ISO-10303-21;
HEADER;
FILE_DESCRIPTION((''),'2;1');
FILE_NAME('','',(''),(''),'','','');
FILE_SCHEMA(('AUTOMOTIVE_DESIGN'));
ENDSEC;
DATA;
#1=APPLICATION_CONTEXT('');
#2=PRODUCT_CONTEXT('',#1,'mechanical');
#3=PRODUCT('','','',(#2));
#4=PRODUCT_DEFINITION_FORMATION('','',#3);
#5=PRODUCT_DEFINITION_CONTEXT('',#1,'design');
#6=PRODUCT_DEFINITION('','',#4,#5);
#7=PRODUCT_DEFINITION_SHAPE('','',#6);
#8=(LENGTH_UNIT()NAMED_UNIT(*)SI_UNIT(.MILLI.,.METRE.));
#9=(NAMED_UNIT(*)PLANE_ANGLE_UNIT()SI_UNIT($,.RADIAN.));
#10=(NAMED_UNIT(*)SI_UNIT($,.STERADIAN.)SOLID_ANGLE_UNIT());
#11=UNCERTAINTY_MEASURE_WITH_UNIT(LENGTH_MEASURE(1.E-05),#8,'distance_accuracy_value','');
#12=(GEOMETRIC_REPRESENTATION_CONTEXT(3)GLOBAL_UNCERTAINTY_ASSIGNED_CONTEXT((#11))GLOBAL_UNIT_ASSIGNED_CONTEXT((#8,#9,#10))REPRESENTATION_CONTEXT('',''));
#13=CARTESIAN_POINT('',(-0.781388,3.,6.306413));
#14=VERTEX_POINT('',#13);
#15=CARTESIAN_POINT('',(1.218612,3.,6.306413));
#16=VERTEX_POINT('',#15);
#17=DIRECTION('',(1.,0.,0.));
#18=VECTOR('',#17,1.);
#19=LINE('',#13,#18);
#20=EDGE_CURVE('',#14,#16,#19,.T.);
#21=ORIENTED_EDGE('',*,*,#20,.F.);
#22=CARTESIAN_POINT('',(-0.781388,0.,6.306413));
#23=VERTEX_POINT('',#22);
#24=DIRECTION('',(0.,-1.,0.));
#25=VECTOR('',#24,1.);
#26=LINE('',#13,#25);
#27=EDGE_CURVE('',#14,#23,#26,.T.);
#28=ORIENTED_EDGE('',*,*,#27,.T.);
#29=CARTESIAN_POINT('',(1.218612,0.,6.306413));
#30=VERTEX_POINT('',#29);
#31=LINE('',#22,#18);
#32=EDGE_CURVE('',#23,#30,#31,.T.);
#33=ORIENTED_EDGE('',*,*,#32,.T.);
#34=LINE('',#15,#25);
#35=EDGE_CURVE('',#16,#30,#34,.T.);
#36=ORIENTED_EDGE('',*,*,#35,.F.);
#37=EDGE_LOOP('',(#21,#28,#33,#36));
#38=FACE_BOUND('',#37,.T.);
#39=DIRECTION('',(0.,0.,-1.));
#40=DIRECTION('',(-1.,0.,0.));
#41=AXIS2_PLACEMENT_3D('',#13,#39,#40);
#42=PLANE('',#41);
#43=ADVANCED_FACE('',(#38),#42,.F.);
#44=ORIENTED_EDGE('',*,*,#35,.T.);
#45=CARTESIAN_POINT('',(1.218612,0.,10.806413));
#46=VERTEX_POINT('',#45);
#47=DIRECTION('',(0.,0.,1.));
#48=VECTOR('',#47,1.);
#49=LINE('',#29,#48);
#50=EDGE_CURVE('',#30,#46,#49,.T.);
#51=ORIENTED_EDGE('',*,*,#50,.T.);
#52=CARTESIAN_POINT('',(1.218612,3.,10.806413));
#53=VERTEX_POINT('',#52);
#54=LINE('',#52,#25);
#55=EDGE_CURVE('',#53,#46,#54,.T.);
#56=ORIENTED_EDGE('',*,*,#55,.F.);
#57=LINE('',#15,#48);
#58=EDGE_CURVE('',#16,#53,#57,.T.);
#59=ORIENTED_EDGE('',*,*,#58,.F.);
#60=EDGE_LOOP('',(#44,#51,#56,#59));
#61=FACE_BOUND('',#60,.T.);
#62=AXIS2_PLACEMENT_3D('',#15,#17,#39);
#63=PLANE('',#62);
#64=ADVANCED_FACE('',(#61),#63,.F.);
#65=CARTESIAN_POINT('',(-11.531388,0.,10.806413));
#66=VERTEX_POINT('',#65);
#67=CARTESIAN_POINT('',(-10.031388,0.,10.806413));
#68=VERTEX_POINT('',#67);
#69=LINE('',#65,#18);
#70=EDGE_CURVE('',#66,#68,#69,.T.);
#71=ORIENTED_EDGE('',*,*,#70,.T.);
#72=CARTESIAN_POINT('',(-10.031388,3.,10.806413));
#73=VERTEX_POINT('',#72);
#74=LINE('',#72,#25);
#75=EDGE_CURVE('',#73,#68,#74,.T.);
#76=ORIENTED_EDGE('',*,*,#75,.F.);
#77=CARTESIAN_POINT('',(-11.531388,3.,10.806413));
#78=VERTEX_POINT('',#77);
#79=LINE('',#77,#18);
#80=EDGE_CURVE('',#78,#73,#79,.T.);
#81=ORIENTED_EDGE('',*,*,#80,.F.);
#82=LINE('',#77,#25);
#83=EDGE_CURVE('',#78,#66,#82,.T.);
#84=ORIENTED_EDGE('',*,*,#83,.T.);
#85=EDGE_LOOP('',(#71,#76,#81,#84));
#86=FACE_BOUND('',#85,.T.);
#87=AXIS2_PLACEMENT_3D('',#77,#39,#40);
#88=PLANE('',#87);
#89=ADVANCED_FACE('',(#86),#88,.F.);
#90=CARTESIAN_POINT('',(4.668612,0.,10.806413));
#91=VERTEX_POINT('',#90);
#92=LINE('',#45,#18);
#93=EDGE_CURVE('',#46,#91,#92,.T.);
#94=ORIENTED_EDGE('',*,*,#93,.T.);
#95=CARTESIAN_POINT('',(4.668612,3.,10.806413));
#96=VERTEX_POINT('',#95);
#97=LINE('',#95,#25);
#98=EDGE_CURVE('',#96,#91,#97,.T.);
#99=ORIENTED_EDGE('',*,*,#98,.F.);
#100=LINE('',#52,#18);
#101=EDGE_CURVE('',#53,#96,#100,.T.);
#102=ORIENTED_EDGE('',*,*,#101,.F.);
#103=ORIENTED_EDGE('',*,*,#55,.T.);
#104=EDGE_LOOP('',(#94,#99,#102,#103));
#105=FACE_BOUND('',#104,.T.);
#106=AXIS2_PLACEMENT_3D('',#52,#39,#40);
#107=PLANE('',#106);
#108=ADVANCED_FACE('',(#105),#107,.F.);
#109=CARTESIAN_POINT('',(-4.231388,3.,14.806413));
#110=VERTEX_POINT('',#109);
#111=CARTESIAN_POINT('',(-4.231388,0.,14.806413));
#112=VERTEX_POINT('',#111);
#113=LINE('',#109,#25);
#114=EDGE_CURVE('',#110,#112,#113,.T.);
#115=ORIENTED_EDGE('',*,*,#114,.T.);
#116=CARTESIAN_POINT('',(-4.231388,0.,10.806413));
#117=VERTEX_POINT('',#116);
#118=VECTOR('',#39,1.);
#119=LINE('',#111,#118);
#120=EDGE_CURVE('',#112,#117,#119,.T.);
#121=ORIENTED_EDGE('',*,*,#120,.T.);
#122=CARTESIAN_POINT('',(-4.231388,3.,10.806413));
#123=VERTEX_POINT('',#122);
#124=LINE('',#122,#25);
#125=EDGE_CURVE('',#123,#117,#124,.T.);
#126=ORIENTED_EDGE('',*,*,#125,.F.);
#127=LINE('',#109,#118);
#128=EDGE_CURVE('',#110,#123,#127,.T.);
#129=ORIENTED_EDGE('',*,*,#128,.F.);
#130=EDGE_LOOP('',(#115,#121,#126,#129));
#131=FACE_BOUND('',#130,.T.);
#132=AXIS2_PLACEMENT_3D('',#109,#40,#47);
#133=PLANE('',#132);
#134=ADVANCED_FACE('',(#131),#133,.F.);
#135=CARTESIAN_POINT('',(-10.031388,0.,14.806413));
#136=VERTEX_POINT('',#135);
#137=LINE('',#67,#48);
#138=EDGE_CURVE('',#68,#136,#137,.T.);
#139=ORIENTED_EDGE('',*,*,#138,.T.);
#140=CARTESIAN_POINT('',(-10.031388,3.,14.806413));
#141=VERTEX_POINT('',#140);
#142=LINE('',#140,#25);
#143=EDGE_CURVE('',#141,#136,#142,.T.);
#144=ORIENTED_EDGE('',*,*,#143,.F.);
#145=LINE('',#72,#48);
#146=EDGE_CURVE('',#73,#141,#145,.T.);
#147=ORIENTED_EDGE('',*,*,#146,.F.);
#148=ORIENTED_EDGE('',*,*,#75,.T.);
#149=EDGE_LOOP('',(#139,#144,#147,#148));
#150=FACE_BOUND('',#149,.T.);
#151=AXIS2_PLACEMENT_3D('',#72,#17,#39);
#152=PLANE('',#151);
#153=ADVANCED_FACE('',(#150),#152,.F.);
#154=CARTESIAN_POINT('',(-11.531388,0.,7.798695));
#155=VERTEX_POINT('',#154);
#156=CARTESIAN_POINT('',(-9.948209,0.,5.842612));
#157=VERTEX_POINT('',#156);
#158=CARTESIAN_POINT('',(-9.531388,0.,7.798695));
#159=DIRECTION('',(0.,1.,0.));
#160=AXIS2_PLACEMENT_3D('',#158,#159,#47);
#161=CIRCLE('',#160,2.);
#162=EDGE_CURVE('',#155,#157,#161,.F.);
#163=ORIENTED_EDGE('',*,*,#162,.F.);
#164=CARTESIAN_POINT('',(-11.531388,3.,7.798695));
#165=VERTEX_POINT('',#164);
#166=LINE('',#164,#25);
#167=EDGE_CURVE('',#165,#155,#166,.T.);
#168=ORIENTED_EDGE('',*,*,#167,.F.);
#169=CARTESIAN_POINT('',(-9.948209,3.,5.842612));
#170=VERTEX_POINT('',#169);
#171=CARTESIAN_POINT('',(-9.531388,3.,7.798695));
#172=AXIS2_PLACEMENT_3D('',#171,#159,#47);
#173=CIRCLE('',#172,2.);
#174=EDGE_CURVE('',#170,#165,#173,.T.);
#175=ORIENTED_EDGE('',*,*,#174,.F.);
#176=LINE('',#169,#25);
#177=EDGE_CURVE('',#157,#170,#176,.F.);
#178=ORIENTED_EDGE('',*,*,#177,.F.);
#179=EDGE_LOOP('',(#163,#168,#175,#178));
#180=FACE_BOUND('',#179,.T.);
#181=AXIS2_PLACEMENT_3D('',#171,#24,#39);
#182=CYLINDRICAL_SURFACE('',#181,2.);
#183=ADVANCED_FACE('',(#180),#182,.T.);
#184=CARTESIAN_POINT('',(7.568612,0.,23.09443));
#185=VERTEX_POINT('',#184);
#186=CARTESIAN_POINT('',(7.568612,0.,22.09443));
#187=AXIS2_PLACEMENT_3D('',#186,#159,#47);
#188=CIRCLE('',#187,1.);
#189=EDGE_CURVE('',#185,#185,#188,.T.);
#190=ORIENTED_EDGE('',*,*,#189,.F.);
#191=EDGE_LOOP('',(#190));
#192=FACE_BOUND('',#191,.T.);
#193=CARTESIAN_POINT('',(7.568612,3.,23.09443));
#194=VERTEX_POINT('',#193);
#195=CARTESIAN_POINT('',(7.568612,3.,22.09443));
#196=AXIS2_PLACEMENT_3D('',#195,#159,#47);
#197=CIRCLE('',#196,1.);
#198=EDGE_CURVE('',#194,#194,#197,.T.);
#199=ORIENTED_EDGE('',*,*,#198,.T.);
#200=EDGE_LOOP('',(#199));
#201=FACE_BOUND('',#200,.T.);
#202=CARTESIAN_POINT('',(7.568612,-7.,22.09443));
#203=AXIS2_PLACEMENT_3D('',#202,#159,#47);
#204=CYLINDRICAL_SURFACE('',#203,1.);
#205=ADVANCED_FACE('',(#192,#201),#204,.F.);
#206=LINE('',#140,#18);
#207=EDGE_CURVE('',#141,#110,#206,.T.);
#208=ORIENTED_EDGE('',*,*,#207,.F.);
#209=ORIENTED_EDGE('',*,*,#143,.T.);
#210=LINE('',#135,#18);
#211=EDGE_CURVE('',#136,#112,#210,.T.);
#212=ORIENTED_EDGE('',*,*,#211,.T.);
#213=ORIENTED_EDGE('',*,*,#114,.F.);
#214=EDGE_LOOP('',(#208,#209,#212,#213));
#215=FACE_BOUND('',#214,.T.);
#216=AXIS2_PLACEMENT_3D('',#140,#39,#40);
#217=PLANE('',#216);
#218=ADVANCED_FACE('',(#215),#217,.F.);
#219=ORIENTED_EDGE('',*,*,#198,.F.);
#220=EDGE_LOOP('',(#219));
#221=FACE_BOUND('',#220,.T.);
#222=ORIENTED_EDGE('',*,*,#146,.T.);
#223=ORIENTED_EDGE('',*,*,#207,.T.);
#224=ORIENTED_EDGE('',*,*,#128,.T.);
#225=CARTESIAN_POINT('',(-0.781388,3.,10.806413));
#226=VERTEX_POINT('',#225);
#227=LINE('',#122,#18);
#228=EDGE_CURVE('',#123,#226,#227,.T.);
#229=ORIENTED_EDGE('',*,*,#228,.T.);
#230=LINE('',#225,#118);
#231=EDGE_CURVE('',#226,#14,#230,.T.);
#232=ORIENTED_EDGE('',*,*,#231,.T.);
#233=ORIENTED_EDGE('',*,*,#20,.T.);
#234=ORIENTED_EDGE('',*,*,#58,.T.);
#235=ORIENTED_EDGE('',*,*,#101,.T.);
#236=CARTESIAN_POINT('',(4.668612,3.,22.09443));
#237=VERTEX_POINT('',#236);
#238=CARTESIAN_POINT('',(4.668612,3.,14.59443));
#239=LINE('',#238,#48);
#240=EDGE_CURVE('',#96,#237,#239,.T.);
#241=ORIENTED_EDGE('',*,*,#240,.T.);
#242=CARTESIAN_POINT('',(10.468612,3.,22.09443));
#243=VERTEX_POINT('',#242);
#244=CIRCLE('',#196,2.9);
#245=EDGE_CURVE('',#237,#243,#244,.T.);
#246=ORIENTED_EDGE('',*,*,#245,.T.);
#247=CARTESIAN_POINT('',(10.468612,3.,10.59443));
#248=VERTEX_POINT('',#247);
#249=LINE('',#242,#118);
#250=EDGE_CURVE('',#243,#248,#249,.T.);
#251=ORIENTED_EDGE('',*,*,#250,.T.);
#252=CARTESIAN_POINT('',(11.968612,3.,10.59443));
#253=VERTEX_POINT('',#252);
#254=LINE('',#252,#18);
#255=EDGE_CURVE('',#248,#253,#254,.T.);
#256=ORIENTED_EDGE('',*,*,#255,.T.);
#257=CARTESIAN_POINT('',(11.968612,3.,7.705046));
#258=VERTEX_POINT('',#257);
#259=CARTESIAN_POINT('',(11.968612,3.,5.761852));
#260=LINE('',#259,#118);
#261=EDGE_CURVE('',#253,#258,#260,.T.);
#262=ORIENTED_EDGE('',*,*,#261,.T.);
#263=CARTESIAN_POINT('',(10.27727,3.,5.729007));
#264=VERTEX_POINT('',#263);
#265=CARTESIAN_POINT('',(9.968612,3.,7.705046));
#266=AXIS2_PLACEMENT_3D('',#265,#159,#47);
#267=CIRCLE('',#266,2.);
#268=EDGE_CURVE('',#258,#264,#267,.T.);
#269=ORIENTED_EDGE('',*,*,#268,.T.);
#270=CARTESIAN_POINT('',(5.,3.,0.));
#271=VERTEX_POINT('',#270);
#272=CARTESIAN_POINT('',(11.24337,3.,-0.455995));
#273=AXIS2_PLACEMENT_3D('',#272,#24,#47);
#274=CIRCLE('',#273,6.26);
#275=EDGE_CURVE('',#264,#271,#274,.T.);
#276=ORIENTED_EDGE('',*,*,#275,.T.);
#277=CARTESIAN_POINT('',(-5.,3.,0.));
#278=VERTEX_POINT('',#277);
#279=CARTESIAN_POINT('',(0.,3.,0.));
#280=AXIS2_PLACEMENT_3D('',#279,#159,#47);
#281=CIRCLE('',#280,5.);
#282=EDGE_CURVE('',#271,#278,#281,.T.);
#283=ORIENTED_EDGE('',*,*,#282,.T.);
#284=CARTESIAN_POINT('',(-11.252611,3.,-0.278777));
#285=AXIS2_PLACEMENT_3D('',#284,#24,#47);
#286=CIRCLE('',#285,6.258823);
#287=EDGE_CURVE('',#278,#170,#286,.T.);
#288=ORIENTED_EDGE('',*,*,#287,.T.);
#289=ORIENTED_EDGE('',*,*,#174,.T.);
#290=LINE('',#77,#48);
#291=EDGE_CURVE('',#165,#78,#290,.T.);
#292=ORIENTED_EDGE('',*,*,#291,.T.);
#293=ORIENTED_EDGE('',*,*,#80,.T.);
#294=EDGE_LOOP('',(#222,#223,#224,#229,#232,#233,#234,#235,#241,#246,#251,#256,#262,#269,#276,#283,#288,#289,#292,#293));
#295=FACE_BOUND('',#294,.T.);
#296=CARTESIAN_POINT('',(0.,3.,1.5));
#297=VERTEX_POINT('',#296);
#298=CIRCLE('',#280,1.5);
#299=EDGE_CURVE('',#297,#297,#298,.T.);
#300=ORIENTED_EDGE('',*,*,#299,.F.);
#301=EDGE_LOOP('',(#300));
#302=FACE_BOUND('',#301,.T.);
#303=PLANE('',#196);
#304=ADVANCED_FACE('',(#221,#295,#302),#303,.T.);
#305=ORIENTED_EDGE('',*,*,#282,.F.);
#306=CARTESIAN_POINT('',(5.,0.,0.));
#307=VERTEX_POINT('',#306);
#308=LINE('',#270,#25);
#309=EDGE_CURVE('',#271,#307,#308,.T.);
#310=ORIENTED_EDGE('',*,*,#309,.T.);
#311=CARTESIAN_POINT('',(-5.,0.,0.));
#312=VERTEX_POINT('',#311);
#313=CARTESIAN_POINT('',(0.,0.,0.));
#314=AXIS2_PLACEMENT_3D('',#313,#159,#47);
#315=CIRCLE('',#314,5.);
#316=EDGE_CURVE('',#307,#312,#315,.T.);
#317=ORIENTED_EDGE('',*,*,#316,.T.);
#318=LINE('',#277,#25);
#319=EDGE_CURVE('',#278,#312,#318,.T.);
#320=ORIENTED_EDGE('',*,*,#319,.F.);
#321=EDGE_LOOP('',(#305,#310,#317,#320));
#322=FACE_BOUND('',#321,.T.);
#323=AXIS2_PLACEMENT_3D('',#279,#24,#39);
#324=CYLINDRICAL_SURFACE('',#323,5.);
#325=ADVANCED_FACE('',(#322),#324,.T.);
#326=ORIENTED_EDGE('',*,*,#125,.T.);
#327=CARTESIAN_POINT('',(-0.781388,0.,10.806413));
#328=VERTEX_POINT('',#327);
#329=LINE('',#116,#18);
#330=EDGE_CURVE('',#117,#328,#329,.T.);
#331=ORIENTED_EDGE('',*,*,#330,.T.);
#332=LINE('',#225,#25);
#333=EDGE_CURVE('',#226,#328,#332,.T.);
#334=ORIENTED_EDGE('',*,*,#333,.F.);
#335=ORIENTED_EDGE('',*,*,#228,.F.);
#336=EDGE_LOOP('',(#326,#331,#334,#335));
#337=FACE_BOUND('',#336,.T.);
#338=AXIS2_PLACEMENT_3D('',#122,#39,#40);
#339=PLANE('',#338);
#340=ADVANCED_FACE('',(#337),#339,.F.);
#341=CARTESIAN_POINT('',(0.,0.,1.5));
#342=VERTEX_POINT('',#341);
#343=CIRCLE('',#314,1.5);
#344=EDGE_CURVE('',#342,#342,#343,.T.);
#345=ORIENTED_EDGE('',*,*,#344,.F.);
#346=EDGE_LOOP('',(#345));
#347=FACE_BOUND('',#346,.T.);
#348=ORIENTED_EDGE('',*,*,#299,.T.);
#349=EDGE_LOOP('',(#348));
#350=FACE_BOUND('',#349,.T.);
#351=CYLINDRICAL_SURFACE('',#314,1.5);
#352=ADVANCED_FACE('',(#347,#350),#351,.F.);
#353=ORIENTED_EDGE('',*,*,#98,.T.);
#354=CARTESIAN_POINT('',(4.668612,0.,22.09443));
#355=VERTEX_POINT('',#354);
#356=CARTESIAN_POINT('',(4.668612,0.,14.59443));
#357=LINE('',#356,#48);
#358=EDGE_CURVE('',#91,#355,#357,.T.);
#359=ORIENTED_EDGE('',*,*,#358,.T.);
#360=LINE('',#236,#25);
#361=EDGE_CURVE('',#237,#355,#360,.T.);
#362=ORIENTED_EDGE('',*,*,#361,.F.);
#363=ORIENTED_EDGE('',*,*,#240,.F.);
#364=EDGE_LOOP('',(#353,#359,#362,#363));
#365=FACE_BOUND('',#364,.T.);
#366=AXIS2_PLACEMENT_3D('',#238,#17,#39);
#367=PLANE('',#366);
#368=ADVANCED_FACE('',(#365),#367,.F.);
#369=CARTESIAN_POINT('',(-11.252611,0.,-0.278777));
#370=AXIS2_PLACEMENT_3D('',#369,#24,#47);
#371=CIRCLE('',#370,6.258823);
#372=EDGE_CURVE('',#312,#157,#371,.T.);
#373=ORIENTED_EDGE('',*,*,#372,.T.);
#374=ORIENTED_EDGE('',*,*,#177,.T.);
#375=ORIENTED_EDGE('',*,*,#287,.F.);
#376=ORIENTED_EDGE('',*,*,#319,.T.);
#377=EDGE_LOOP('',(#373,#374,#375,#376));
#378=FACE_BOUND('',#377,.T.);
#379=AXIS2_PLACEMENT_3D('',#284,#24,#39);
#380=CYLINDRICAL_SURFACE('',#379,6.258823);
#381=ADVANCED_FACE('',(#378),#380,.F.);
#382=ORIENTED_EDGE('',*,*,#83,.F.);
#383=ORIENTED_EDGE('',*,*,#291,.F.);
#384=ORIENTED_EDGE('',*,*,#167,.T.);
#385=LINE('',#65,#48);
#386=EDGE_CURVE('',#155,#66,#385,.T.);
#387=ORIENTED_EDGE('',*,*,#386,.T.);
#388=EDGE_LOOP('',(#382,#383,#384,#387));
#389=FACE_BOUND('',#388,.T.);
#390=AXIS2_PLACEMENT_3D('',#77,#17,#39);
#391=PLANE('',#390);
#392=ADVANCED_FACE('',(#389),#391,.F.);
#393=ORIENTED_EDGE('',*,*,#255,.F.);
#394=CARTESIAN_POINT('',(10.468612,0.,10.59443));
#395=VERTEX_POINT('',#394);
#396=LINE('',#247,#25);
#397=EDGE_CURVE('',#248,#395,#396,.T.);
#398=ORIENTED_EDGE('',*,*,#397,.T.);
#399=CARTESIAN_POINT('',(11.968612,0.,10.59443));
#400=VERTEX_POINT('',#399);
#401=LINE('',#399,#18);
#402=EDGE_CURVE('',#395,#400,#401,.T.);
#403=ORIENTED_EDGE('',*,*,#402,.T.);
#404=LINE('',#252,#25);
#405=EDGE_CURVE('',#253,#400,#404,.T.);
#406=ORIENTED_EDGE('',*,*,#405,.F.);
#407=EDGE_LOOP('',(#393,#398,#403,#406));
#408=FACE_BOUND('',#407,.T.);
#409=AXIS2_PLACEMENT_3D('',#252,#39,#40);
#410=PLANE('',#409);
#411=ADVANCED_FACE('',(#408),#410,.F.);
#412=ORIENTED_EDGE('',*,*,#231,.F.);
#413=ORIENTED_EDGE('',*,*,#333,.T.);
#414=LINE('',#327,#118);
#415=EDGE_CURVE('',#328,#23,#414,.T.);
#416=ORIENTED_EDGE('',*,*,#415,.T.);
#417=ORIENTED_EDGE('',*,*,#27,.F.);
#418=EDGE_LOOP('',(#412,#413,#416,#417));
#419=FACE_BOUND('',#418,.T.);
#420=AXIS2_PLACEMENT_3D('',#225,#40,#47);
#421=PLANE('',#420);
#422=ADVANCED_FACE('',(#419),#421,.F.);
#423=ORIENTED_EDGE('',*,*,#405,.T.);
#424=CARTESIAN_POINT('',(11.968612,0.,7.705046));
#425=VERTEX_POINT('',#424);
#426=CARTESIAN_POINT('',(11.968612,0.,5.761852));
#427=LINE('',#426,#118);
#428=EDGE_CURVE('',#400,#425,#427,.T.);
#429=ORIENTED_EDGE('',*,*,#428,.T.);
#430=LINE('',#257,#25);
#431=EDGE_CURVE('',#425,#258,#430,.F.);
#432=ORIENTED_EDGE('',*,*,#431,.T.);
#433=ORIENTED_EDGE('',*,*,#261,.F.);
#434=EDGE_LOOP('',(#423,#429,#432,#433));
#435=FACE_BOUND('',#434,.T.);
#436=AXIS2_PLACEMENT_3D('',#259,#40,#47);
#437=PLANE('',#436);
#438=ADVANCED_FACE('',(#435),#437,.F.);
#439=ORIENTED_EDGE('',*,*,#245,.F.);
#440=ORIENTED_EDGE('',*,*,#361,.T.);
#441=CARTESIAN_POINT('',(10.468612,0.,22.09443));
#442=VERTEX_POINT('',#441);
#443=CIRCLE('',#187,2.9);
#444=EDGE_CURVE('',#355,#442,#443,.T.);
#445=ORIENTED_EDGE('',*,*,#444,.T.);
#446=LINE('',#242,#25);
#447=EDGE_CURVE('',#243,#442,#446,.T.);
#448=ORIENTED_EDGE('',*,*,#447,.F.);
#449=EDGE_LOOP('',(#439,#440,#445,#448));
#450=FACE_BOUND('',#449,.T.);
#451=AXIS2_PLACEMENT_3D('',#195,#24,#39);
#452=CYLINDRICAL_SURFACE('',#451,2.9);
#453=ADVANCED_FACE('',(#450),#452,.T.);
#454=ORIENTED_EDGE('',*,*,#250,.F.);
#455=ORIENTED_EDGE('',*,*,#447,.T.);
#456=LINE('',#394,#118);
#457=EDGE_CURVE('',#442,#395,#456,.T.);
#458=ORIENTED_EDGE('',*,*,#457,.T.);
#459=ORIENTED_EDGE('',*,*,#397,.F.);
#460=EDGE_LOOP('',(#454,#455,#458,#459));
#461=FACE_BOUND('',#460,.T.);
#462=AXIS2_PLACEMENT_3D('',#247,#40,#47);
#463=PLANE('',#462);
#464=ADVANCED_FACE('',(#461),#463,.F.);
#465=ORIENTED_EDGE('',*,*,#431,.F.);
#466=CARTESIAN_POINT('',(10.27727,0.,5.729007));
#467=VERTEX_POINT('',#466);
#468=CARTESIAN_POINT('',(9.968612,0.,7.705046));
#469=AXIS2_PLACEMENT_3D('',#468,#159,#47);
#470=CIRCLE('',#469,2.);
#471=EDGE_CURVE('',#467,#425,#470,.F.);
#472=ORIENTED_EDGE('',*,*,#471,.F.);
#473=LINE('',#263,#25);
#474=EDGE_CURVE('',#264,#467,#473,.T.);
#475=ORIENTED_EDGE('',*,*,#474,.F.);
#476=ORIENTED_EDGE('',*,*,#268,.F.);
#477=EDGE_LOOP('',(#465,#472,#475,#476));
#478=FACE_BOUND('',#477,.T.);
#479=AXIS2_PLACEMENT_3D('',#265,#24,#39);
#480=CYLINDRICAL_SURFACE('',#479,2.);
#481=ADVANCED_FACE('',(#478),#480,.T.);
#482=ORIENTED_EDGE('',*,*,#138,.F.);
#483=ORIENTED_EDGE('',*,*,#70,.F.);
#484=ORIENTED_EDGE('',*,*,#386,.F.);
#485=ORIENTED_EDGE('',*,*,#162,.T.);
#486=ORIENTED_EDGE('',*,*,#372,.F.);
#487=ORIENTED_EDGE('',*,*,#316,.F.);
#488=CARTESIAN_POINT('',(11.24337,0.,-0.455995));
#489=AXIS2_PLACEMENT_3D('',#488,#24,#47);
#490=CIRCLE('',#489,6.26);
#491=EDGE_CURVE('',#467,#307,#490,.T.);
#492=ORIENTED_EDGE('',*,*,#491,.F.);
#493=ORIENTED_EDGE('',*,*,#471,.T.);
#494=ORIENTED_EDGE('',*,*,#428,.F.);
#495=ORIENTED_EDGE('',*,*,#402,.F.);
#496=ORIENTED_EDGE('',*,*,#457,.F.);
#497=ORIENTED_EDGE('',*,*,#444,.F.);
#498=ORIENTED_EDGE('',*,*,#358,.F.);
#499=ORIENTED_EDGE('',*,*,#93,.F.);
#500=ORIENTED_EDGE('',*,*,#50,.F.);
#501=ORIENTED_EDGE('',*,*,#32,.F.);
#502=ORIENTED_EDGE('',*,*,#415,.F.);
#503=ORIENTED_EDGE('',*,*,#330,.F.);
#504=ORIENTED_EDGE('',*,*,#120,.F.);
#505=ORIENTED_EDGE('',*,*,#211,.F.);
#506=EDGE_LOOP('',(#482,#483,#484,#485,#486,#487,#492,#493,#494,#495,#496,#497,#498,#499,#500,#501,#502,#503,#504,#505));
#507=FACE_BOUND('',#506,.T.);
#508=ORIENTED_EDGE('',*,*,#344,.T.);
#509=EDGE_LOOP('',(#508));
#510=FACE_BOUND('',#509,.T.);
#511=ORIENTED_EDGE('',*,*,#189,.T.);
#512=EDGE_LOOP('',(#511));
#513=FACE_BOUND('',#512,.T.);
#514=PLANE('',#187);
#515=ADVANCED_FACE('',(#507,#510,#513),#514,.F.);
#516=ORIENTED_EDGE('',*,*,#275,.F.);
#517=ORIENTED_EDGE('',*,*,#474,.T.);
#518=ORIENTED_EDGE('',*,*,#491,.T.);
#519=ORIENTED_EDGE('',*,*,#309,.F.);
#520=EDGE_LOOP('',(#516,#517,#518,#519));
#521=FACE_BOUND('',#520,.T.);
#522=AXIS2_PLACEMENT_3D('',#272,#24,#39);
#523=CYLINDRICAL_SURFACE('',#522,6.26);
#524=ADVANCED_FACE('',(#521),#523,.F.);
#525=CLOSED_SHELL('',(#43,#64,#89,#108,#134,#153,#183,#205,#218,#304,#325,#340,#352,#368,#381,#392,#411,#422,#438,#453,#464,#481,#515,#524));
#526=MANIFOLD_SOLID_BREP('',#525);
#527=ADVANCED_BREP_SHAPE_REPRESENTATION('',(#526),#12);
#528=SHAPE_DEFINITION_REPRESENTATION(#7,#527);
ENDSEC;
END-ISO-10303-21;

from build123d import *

# Parameters (mm, degrees)
BOSS_EXTRUDE1_DEPTH = 3
SKETCH3_R           = 1.5
CUT_EXTRUDE1_DEPTH  = 3
FILLET1_R           = 2
SKETCH4_R           = 1
CUT_EXTRUDE2_DEPTH  = 10


with BuildPart() as part:
    # Sketch2 → Boss-Extrude1 (new body)
    with BuildSketch(Plane(origin=(0, 0, 0), x_dir=(1, 0, 0), z_dir=(0, 1, 0))):
        with BuildLine():
            Line((4.668611776, -14.59443044), (4.668611776, -22.09443044))
            ThreePointArc((4.668611776, -22.09443044), (7.568611776, -24.99443044), (10.468611776, -22.09443044))
            Line((10.468611776, -22.09443044), (10.468611776, -14.59443044))
            Line((10.468611776, -14.59443044), (10.468611776, -10.59443044))
            Line((10.468611776, -10.59443044), (11.968611776, -10.59443044))
            Line((11.968611776, -10.59443044), (11.968611776, -5.761851858))
            ThreePointArc((11.968611776, -5.761851858), (7.254363967, -4.368466387), (5, 0))
            ThreePointArc((5, 0), (0, 5), (-5, 0))
            ThreePointArc((-5, 0), (-7.028472422, -4.339612176), (-11.531388224, -5.973834769))
            Line((-11.531388224, -5.973834769), (-11.531388224, -10.806413351))
            Line((-11.531388224, -10.806413351), (-10.031388224, -10.806413351))
            Line((-10.031388224, -10.806413351), (-10.031388224, -14.806413351))
            Line((-10.031388224, -14.806413351), (-4.231388224, -14.806413351))
            Line((-4.231388224, -14.806413351), (-4.231388224, -10.806413351))
            Line((-4.231388224, -10.806413351), (-0.781388224, -10.806413351))
            Line((-0.781388224, -10.806413351), (-0.781388224, -6.306413351))
            Line((-0.781388224, -6.306413351), (1.218611776, -6.306413351))
            Line((1.218611776, -6.306413351), (1.218611776, -10.806413351))
            Line((1.218611776, -10.806413351), (4.668611776, -10.806413351))
            Line((4.668611776, -10.806413351), (4.668611776, -14.59443044))
        make_face()
    extrude(amount=BOSS_EXTRUDE1_DEPTH)

    # Sketch3 → Cut-Extrude1 (cut)
    with BuildSketch(Plane(origin=(0, 3, 0), x_dir=(1, 0, 0), z_dir=(0, 1, 0))):
        Circle(SKETCH3_R)
    extrude(amount=-CUT_EXTRUDE1_DEPTH, mode=Mode.SUBTRACT)

    # Fillet1
    fillet1_edges = [part.edges().sort_by_distance(p)[0] for p in [
        (-11.531388224, 1.5, 5.973834769),
        (11.968611776, 1.5, 5.761851858),
    ]]
    fillet(fillet1_edges, radius=FILLET1_R)

    # Sketch4 → Cut-Extrude2 (cut)
    with BuildSketch(Plane(origin=(0, 3, 0), x_dir=(1, 0, 0), z_dir=(0, 1, 0))):
        with Locations((7.568611776, -22.09443044)):
            Circle(SKETCH4_R)
    extrude(amount=-CUT_EXTRUDE2_DEPTH, mode=Mode.SUBTRACT)


solid = part.part
